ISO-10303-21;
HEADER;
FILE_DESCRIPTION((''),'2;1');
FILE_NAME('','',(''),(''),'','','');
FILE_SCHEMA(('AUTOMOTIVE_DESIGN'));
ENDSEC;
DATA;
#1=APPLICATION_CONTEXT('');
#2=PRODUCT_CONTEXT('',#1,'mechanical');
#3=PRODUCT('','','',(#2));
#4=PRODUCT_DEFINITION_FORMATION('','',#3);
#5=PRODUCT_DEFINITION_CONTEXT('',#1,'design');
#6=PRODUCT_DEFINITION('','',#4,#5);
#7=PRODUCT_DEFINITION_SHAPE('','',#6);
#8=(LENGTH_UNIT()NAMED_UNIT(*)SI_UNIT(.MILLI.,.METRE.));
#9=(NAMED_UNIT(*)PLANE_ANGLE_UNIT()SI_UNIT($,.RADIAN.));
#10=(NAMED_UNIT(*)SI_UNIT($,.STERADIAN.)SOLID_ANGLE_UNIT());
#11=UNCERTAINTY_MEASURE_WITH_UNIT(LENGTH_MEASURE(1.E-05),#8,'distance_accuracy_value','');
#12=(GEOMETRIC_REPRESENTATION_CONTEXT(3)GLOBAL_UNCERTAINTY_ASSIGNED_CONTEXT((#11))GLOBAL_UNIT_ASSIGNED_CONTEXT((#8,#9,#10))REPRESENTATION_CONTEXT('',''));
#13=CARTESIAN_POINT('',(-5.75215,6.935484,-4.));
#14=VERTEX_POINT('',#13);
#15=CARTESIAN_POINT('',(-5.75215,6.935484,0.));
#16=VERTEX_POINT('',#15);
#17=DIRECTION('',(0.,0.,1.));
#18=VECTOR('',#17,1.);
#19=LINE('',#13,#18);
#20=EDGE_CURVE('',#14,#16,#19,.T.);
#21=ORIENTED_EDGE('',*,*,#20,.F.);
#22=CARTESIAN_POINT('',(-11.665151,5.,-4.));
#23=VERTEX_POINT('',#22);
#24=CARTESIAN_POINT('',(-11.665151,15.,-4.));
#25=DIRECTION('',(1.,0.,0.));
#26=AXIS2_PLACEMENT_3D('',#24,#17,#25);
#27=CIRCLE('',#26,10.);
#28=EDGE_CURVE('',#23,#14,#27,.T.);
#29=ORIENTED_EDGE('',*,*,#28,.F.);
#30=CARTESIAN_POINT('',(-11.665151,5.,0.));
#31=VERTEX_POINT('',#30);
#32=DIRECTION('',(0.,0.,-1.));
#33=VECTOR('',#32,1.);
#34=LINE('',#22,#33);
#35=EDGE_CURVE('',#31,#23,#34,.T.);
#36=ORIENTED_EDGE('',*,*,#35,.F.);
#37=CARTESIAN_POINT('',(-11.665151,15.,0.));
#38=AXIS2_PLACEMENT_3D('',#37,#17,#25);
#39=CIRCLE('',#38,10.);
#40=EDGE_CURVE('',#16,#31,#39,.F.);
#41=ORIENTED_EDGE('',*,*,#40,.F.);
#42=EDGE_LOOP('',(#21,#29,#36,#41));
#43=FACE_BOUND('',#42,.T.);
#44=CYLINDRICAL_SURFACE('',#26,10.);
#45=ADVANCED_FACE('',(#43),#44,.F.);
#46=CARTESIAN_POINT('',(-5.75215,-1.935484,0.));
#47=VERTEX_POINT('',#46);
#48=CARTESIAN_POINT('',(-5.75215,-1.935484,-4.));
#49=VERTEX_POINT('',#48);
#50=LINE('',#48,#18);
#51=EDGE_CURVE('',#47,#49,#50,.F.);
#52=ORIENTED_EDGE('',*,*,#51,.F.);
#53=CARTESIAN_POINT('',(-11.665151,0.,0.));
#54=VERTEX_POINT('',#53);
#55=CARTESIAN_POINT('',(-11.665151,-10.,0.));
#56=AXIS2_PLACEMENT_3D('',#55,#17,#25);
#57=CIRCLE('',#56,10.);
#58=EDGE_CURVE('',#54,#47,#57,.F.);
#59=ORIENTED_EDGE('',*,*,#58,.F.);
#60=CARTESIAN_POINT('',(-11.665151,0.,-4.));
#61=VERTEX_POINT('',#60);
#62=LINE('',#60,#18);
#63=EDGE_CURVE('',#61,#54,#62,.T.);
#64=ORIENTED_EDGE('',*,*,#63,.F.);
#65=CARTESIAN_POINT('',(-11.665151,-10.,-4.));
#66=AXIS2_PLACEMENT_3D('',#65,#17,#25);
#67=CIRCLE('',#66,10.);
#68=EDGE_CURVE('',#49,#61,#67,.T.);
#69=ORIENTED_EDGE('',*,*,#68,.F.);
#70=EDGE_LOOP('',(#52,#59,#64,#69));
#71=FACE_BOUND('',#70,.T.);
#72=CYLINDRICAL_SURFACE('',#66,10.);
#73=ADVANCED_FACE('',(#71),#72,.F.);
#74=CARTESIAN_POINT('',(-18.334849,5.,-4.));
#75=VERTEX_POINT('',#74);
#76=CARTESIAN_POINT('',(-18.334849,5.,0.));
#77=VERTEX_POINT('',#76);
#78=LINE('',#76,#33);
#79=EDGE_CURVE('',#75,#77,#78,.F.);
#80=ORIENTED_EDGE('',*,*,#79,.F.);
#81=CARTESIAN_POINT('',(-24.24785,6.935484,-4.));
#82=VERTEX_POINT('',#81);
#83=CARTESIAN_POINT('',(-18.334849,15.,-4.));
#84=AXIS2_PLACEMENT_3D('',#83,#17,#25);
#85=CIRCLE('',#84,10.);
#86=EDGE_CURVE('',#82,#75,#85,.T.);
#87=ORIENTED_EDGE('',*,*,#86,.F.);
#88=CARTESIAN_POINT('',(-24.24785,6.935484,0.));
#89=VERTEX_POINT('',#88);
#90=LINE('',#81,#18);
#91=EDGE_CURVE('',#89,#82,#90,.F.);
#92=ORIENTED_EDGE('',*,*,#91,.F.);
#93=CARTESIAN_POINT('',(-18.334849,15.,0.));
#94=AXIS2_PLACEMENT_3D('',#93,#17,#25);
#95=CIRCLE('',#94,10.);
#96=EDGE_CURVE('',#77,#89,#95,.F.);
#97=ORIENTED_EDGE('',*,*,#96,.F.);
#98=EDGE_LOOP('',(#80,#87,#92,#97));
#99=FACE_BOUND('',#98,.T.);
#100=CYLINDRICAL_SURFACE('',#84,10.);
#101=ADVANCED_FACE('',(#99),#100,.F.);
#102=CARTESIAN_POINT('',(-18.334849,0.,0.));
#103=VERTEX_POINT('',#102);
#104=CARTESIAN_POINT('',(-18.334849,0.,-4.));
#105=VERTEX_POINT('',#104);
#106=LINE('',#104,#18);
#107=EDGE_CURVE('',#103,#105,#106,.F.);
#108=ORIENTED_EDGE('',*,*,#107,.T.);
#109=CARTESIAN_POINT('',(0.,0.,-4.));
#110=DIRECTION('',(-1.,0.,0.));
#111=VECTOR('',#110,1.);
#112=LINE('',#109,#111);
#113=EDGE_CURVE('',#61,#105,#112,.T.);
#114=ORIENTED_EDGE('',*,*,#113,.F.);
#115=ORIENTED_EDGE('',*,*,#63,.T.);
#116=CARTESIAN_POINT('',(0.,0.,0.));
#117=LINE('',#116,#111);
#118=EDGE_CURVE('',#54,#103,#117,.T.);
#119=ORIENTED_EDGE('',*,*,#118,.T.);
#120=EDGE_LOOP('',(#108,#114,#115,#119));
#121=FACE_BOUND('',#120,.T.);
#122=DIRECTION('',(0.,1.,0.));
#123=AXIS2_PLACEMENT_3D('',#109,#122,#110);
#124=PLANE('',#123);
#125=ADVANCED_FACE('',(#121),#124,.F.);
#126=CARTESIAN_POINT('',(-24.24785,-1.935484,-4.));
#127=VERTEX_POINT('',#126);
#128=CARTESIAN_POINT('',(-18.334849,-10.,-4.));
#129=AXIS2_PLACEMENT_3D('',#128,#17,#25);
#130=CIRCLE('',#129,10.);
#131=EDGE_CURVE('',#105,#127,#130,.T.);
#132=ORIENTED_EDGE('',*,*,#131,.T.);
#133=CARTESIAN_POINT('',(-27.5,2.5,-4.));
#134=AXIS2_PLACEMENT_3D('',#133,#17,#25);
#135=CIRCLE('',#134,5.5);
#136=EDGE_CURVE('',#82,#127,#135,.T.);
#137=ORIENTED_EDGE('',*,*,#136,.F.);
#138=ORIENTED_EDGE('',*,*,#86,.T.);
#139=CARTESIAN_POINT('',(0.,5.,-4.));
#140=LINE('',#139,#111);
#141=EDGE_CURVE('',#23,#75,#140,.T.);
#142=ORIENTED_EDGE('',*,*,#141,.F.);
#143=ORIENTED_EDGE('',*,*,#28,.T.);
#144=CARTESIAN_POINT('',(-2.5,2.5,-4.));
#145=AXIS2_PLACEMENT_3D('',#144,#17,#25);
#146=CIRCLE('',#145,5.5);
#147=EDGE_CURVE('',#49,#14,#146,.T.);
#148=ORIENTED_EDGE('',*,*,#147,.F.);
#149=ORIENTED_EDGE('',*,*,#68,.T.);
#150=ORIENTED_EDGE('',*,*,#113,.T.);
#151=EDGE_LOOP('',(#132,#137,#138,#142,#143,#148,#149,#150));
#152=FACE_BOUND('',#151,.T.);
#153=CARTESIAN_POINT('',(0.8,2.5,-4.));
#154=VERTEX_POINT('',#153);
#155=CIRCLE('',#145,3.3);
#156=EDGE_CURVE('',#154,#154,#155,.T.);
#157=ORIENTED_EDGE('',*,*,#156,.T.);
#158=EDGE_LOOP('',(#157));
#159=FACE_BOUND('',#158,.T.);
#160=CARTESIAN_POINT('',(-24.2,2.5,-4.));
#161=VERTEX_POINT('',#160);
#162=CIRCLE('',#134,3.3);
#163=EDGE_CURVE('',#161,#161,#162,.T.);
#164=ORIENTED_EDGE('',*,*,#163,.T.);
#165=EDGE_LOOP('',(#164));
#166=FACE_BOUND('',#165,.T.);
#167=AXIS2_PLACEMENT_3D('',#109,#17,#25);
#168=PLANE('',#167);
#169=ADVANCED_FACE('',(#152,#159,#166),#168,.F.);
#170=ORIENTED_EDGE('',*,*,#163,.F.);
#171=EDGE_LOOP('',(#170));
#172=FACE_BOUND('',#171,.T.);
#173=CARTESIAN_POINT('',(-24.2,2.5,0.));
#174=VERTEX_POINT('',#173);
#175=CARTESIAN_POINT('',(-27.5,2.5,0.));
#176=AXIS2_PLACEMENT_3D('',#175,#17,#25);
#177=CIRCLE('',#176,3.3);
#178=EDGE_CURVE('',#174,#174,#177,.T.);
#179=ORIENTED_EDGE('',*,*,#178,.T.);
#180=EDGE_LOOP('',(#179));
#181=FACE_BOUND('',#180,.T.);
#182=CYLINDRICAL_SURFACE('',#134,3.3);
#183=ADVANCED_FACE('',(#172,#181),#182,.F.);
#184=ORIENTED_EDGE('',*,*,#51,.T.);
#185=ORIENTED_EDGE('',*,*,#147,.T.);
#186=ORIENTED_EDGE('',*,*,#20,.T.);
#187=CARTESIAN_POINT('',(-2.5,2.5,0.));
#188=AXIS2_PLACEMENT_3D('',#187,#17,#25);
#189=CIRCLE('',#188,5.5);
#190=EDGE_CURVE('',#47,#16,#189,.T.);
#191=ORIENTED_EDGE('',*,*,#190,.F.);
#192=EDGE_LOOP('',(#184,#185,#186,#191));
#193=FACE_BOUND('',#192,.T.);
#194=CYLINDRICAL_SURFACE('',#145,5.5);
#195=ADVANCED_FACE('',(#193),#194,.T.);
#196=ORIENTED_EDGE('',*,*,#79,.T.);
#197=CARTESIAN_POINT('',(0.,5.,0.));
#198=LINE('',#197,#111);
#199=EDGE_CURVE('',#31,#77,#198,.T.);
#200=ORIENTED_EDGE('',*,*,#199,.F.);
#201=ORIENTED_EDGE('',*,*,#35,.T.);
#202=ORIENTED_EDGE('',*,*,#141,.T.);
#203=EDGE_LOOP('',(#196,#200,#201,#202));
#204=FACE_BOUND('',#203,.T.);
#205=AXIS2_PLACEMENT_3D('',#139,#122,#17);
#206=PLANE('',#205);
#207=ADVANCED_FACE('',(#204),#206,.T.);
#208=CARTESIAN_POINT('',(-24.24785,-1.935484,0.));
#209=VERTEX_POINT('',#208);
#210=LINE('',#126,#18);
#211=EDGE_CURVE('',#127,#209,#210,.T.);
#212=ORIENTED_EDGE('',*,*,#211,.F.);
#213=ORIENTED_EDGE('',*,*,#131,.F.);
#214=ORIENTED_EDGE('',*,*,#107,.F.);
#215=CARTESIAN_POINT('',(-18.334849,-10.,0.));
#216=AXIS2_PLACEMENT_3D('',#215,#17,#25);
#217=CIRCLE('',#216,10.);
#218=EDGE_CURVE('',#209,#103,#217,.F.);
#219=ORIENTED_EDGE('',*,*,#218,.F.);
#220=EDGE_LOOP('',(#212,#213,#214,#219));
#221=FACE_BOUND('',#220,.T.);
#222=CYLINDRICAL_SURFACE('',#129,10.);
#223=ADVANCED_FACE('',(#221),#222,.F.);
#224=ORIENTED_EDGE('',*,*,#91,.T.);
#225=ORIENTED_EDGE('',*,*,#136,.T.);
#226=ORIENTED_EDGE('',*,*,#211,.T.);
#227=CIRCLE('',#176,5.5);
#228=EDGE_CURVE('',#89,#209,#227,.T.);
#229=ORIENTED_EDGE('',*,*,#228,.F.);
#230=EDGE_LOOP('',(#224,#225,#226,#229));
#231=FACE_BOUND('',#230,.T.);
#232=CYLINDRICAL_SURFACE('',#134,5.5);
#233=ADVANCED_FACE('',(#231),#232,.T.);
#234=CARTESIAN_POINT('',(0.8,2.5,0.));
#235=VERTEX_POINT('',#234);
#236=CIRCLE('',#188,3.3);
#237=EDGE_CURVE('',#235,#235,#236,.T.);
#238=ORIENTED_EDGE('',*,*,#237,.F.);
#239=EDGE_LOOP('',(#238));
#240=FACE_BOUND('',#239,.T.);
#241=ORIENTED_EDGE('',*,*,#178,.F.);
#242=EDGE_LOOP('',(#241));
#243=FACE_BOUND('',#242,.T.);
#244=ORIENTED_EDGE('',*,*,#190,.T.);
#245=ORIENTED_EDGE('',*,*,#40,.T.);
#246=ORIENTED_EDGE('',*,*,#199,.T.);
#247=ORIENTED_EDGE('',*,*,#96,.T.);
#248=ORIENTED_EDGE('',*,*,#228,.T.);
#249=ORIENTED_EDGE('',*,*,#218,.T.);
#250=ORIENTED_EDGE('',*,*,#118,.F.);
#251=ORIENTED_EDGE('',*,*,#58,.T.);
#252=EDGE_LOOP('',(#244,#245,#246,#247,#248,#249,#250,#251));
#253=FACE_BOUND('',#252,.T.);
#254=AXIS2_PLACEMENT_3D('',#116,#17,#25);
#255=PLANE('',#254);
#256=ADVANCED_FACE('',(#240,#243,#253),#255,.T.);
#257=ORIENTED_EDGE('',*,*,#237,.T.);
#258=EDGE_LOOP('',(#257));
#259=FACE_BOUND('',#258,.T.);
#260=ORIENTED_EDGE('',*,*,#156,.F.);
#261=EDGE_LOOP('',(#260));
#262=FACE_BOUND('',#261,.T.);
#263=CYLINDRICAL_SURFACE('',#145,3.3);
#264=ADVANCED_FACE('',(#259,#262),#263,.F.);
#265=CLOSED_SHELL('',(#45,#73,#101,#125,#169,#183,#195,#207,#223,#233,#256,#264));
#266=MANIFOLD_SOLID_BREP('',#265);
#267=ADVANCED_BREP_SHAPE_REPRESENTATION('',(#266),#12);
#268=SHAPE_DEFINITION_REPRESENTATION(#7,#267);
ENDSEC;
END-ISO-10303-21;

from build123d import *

# Parameters (mm, degrees)
EXTRUDE_1_DEPTH = 4
FILLET_1_R      = 10


with BuildPart() as part:
    # ｽｹｯﾁ1 → ﾎﾞｽ - 押し出し1 (new body)
    with BuildSketch(Plane.XY):
        with BuildLine():
            Line((-0.345934077, 5), (0, 5))
            Line((0, 5), (0, 4.654065923))
            ThreePointArc((0, 4.654065923), (0.59354166, 3.648912529), (0.8, 2.5))
            ThreePointArc((0.8, 2.5), (0.59354166, 1.351087471), (0, 0.345934077))
            Line((0, 0.345934077), (0, 0))
            Line((0, 0), (-0.345934077, 0))
            ThreePointArc((-0.345934077, 0), (-2.5, -0.8), (-4.654065923, 0))
            Line((-4.654065923, 0), (-7.398979486, 0))
            ThreePointArc((-7.398979486, 0), (-1.214384811, -2.847634392), (3, 2.5))
            ThreePointArc((3, 2.5), (-1.214384811, 7.847634392), (-7.398979486, 5))
            Line((-7.398979486, 5), (-4.654065923, 5))
            ThreePointArc((-4.654065923, 5), (-2.5, 5.8), (-0.345934077, 5))
        make_face()
        with BuildLine():
            ThreePointArc((-4.654065923, 0), (-5.8, 2.5), (-4.654065923, 5))
            Line((-4.654065923, 5), (-7.398979486, 5))
            ThreePointArc((-7.398979486, 5), (-8, 2.5), (-7.398979486, 0))
            Line((-7.398979486, 0), (-4.654065923, 0))
        make_face()
        with BuildLine():
            Line((0, 0), (0, 0.345934077))
            ThreePointArc((0, 0.345934077), (-0.166547622, 0.166547622), (-0.345934077, 0))
            Line((-0.345934077, 0), (0, 0))
        make_face()
        with BuildLine():
            Line((0, 4.654065923), (0, 5))
            Line((0, 5), (-0.345934077, 5))
            ThreePointArc((-0.345934077, 5), (-0.166547622, 4.833452378), (0, 4.654065923))
        make_face()
        with BuildLine():
            ThreePointArc((-7.398979486, 0), (-8, 2.5), (-7.398979486, 5))
            Line((-7.398979486, 5), (-22.601020514, 5))
            ThreePointArc((-22.601020514, 5), (-22.152365608, 3.785615189), (-22, 2.5))
            ThreePointArc((-22, 2.5), (-22.152365608, 1.214384811), (-22.601020514, 0))
            Line((-22.601020514, 0), (-7.398979486, 0))
        make_face()
        with BuildLine():
            ThreePointArc((-22, 2.5), (-22.152365608, 3.785615189), (-22.601020514, 5))
            Line((-22.601020514, 5), (-25.345934077, 5))
            ThreePointArc((-25.345934077, 5), (-24.500131874, 3.875060445), (-24.2, 2.5))
            ThreePointArc((-24.2, 2.5), (-24.500131874, 1.124939555), (-25.345934077, 0))
            Line((-25.345934077, 0), (-22.601020514, 0))
            ThreePointArc((-22.601020514, 0), (-22.152365608, 1.214384811), (-22, 2.5))
        make_face()
        with BuildLine():
            Line((-25.345934077, 5), (-22.601020514, 5))
            ThreePointArc((-22.601020514, 5), (-33, 2.5), (-22.601020514, 0))
            Line((-22.601020514, 0), (-25.345934077, 0))
            ThreePointArc((-25.345934077, 0), (-27.5, -0.8), (-29.654065923, 0))
            Line((-29.654065923, 0), (-30, 0))
            Line((-30, 0), (-30, 0.345934077))
            ThreePointArc((-30, 0.345934077), (-30.8, 2.5), (-30, 4.654065923))
            Line((-30, 4.654065923), (-30, 5))
            Line((-30, 5), (-29.654065923, 5))
            ThreePointArc((-29.654065923, 5), (-27.5, 5.8), (-25.345934077, 5))
        make_face()
        with BuildLine():
            ThreePointArc((-30, 4.654065923), (-29.833452378, 4.833452378), (-29.654065923, 5))
            Line((-29.654065923, 5), (-30, 5))
            Line((-30, 5), (-30, 4.654065923))
        make_face()
        with BuildLine():
            Line((-30, 0), (-29.654065923, 0))
            ThreePointArc((-29.654065923, 0), (-29.833452378, 0.166547622), (-30, 0.345934077))
            Line((-30, 0.345934077), (-30, 0))
        make_face()
    extrude(amount=-EXTRUDE_1_DEPTH)

    # ﾌｨﾚｯﾄ1
    fillet_1_edges = [part.edges().sort_by_distance(p)[0] for p in [
        (-7.398979486, 0, -2),
        (-22.601020514, 0, -2),
        (-22.601020514, 5, -2),
        (-7.398979486, 5, -2),
    ]]
    fillet(fillet_1_edges, radius=FILLET_1_R)


solid = part.part
